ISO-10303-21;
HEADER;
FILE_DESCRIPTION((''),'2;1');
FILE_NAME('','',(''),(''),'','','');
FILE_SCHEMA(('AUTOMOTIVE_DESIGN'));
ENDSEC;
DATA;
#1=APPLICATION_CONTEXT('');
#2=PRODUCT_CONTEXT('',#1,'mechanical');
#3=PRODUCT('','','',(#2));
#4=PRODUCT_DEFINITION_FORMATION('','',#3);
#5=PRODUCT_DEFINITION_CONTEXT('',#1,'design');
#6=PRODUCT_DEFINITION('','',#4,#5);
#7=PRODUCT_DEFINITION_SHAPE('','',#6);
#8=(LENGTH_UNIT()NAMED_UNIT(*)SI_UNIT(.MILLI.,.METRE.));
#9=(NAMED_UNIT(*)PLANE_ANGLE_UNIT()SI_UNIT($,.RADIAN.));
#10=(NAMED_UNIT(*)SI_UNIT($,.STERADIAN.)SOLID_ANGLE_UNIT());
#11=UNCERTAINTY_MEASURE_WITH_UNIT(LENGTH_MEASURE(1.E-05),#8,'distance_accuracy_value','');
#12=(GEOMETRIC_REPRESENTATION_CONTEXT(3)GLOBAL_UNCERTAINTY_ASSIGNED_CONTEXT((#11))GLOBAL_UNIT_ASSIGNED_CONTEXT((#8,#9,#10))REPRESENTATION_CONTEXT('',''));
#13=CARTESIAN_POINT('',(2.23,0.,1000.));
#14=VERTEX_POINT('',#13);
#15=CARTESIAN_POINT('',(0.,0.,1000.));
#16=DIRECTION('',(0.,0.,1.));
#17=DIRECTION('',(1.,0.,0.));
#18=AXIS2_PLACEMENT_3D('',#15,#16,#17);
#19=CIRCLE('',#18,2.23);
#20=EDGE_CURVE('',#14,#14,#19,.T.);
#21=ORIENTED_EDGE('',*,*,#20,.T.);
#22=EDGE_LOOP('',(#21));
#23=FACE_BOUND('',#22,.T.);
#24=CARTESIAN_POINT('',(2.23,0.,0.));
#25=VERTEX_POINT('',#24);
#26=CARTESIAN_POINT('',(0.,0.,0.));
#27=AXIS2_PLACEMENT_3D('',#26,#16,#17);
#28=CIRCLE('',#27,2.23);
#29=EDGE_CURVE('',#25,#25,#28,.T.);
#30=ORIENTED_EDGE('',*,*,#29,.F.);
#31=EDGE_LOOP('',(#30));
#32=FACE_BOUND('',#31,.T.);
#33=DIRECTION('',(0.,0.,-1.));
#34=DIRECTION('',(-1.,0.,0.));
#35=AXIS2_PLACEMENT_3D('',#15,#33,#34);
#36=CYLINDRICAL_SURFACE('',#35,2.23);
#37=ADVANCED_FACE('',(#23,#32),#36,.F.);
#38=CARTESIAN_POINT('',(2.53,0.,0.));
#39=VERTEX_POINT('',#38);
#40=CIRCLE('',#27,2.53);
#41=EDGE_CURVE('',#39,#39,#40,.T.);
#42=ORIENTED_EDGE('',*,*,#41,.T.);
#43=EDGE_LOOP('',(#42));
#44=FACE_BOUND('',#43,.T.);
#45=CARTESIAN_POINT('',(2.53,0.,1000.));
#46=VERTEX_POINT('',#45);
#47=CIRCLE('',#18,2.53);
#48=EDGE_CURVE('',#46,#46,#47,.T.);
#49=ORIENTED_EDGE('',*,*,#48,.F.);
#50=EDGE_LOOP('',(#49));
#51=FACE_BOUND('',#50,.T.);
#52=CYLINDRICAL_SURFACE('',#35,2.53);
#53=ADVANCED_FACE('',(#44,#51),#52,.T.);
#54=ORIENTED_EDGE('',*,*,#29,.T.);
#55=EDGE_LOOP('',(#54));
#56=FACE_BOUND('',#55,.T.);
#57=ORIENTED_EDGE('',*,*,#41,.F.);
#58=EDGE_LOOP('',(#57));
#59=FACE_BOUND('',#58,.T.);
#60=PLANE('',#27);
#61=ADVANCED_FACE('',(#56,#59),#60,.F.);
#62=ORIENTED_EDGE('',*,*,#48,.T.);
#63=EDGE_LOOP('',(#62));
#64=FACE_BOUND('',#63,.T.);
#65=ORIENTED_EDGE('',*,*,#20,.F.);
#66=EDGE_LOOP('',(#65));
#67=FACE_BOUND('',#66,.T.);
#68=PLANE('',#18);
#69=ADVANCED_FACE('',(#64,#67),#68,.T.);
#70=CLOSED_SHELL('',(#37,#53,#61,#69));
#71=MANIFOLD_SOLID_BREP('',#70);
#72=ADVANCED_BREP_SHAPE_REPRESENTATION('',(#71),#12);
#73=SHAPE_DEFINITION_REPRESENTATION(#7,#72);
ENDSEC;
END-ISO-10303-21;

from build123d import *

# Parameters (mm, degrees)
SKETCH1_R           = 2.53
SKETCH1_R_2         = 2.23
EXTRUDE_THIN1_DEPTH = 1000


with BuildPart() as part:
    # Sketch1 → Extrude-Thin1 (new body)
    with BuildSketch(Plane.XY):
        Circle(SKETCH1_R)
        Circle(SKETCH1_R_2, mode=Mode.SUBTRACT)
    extrude(amount=EXTRUDE_THIN1_DEPTH)


solid = part.part
